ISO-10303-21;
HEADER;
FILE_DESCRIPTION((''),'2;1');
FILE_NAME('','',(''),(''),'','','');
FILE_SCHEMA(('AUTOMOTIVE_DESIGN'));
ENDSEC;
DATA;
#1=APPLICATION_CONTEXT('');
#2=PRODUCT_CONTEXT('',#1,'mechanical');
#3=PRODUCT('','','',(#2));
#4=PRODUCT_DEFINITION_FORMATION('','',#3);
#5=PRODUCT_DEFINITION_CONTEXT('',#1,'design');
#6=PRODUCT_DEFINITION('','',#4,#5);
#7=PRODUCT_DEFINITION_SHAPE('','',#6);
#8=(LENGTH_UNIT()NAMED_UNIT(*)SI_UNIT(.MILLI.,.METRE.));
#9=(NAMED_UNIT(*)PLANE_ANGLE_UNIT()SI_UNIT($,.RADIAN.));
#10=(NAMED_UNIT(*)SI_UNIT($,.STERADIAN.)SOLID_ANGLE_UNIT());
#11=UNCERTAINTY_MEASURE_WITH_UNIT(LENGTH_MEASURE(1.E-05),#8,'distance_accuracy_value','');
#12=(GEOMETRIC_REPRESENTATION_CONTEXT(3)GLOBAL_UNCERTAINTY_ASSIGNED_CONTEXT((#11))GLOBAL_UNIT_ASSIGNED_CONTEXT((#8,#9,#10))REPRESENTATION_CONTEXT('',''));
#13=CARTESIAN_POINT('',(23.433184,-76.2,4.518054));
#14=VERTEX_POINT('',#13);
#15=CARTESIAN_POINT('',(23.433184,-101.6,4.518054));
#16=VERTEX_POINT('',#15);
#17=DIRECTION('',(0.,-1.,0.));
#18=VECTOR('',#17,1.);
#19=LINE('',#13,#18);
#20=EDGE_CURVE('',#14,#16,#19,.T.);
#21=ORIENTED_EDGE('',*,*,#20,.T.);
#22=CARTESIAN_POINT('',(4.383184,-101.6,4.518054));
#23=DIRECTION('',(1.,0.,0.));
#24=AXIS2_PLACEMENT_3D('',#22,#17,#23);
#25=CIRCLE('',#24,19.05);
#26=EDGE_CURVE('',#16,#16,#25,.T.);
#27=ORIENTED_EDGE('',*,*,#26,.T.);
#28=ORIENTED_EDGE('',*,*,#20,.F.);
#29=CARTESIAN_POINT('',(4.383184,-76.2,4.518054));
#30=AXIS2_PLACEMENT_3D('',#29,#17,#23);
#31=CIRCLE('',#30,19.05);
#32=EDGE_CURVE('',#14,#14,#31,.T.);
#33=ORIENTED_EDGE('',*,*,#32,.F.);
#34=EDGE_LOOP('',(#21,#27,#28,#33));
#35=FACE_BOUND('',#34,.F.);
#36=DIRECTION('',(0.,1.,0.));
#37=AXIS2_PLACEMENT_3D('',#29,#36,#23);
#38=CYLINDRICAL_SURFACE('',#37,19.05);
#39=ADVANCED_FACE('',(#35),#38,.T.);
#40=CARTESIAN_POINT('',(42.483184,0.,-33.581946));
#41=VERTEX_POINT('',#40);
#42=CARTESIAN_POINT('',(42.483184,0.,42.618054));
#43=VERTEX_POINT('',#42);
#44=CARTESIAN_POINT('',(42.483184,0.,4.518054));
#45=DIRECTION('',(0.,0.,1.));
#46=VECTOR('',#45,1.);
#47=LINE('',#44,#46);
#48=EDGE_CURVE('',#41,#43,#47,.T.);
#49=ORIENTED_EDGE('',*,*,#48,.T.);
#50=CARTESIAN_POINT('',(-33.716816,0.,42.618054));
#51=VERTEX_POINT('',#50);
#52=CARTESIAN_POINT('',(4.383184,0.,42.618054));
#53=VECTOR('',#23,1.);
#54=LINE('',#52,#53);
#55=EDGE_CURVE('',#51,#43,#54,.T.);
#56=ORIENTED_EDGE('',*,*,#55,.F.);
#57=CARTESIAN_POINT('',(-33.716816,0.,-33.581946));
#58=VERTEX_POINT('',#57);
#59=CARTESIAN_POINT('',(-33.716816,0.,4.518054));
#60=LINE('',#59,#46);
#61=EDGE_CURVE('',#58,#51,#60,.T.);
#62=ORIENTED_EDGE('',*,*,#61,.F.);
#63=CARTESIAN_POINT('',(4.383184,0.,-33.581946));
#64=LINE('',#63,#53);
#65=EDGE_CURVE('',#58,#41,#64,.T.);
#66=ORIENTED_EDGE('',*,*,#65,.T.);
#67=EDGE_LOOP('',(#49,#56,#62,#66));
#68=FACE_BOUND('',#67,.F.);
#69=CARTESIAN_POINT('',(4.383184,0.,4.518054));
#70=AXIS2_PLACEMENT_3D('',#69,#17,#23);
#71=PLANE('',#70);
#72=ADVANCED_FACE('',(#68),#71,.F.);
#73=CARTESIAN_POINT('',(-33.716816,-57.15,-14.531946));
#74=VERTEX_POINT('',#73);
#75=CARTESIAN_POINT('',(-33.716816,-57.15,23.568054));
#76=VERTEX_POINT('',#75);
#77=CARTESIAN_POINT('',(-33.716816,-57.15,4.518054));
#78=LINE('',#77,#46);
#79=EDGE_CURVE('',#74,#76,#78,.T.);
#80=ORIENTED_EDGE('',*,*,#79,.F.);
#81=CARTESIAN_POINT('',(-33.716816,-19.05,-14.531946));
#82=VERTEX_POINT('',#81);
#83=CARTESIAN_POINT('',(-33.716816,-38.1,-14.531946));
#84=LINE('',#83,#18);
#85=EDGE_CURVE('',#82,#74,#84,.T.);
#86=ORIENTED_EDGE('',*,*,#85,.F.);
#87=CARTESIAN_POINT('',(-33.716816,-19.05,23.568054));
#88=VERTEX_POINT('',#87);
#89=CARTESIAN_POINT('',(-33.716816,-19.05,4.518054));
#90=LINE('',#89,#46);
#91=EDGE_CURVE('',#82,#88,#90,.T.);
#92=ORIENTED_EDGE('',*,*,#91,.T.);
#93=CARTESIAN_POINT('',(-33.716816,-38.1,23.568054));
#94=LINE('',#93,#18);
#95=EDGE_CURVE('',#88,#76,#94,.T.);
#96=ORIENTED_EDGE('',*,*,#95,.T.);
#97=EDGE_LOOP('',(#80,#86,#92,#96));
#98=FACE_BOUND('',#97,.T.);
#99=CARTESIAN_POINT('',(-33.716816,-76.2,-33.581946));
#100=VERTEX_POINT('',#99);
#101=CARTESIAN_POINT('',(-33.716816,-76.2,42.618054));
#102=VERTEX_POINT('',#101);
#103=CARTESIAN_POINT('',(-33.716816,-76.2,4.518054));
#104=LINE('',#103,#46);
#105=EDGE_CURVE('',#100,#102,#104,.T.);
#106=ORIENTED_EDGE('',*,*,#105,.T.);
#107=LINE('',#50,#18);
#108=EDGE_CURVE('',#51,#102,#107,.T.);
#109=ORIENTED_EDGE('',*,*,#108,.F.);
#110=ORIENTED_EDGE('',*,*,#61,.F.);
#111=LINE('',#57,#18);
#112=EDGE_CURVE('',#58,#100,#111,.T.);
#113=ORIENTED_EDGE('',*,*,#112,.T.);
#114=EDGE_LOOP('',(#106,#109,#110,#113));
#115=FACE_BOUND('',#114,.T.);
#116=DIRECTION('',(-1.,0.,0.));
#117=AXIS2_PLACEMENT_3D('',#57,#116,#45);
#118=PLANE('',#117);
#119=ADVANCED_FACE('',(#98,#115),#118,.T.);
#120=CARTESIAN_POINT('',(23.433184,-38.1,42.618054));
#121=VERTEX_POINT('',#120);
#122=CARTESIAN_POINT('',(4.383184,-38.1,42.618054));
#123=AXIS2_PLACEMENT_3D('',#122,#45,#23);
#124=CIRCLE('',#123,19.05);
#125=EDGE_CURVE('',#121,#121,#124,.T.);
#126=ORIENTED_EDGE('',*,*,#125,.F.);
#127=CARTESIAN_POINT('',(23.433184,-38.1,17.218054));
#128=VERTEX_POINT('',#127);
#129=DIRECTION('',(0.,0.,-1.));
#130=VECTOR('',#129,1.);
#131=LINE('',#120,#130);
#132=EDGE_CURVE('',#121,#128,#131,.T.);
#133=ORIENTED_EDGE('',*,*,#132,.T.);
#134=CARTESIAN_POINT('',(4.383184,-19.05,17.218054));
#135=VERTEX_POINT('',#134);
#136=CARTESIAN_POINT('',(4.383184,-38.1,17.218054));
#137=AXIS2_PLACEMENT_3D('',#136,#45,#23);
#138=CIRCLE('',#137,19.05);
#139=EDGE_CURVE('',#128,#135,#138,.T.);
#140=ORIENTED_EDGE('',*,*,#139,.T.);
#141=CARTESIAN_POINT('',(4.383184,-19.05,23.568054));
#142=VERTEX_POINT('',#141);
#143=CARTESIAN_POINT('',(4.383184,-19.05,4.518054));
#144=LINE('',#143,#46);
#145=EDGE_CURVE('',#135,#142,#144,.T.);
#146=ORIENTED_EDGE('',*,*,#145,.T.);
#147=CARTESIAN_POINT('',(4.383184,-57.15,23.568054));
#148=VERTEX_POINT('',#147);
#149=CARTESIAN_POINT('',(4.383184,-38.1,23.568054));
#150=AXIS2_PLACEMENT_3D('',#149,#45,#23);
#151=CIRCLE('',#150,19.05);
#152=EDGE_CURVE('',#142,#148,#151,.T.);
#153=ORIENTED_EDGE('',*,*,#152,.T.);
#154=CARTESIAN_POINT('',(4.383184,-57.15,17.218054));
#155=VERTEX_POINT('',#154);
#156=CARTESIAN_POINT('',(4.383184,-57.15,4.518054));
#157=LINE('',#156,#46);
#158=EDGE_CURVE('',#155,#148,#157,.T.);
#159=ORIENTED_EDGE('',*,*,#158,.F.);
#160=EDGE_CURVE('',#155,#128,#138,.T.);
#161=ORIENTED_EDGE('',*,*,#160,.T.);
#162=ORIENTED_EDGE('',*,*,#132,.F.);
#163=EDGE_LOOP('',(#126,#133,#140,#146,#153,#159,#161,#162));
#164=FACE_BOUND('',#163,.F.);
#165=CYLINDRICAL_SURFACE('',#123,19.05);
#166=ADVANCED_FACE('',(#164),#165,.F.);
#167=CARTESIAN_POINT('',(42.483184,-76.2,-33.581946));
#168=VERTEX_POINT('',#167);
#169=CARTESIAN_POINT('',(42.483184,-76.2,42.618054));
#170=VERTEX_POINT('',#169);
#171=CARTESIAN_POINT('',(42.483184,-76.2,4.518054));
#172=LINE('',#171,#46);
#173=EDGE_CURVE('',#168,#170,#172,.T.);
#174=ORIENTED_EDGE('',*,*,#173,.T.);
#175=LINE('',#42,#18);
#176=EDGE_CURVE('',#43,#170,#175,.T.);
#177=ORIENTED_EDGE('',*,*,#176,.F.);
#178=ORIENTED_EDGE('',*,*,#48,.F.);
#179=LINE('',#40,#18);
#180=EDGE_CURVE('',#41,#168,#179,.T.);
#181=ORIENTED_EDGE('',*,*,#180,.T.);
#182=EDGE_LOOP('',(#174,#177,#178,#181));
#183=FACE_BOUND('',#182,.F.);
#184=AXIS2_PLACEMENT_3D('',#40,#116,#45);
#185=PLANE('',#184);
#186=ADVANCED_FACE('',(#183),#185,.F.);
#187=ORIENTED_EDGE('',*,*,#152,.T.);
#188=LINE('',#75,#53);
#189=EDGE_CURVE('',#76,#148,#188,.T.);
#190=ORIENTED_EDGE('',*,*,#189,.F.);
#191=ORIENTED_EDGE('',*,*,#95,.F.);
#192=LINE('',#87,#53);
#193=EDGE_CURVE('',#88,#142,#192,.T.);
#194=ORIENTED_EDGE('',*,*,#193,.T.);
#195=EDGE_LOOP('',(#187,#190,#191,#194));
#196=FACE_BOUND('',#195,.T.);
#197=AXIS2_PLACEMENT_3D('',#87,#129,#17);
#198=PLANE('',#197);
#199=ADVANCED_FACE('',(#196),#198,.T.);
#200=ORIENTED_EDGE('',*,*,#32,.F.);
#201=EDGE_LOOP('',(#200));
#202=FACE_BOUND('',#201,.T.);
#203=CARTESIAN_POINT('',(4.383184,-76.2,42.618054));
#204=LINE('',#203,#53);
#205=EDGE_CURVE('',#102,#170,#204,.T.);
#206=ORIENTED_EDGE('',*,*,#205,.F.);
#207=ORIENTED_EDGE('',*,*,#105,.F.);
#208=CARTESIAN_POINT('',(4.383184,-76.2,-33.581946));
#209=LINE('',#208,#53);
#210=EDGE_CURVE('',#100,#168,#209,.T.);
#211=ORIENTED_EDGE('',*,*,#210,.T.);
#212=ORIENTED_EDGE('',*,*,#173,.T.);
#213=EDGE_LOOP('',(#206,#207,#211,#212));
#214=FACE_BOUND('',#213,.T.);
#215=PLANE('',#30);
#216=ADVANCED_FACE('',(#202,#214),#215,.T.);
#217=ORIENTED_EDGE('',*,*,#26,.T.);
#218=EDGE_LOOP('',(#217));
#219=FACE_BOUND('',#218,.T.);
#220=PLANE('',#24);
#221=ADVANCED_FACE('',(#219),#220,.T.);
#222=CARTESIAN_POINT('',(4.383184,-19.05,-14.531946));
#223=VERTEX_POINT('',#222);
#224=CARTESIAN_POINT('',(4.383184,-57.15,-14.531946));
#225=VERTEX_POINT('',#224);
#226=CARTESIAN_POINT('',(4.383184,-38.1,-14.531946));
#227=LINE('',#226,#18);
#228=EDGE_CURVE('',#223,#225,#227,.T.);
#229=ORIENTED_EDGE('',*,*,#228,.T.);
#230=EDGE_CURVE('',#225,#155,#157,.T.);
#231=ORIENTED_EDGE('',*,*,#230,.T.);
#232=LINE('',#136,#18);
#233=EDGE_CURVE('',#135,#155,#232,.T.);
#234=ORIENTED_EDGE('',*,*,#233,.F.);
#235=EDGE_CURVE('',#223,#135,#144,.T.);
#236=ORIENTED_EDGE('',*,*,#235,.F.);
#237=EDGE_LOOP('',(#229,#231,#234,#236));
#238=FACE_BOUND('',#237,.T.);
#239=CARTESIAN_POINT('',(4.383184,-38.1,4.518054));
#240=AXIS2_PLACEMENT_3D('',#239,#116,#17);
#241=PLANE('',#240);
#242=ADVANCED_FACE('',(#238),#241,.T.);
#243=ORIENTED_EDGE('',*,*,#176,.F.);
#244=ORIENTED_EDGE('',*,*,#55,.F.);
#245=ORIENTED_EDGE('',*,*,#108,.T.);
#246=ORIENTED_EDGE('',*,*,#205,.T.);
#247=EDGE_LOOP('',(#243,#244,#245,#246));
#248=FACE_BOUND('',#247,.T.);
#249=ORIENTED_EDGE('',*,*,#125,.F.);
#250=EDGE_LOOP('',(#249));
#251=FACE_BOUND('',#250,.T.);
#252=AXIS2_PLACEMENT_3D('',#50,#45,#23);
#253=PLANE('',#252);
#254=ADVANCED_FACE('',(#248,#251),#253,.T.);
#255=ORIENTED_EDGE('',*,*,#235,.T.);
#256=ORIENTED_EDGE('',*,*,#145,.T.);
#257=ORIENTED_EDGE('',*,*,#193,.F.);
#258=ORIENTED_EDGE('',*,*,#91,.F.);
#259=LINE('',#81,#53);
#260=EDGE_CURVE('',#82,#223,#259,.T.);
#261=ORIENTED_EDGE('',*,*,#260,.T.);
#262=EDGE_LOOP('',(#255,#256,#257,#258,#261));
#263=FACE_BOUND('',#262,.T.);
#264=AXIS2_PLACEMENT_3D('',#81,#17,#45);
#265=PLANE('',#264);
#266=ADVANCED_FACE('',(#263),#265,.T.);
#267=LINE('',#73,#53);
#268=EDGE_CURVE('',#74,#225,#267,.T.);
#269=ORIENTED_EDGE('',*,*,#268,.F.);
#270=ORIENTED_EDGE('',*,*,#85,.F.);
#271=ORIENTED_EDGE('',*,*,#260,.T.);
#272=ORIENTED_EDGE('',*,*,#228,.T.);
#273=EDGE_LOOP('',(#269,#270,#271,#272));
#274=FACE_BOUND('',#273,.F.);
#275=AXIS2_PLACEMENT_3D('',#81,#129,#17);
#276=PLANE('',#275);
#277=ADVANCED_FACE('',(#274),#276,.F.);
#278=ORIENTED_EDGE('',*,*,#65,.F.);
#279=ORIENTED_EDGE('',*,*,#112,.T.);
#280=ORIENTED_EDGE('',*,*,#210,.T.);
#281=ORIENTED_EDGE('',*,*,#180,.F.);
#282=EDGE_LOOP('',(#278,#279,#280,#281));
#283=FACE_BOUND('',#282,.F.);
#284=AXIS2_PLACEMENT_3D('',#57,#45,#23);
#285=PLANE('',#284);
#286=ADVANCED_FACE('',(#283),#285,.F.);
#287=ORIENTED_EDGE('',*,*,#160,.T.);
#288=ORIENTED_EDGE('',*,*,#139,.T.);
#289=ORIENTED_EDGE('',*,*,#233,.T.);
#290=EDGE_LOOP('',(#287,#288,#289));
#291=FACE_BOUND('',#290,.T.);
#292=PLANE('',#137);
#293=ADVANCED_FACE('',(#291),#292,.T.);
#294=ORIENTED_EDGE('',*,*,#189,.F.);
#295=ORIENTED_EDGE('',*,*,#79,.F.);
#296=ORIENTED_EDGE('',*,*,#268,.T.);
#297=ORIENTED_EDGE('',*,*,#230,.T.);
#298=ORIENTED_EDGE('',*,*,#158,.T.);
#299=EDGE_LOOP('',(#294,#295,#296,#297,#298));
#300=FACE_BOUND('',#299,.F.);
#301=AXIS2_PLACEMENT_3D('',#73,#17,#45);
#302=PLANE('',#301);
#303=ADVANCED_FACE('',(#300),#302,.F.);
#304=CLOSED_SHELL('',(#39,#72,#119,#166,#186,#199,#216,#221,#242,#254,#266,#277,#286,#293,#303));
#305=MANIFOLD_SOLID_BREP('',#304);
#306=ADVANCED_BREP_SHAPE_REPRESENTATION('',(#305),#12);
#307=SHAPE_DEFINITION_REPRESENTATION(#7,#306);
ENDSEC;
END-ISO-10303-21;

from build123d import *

# Parameters (mm, degrees)
F0_W     = 76.2
F0_H     = 76.2
F1_DEPTH = 76.2
F2_R     = 19.05
F3_DEPTH = 25.4
F4_R     = 19.05
F5_DEPTH = 25.4
F6_W     = 38.1
F6_H     = 38.1
F7_DEPTH = 38.1


with BuildPart() as f1:
    # F0 (on Front) → F1 (new body)
    with BuildSketch(Plane.XZ):
        with Locations((4.383184, 4.518054)):
            Rectangle(F0_W, F0_H)
    extrude(amount=F1_DEPTH)

    # F2 (on face) → F3 (join)
    with BuildSketch(Plane.XZ.offset(76.2)):
        with Locations((4.383184, 4.518054)):
            Circle(F2_R)
    extrude(amount=F3_DEPTH)

    # F4 (on face) → F5 (cut)
    with BuildSketch(Plane.XY.offset(42.618054)):
        with Locations((4.383184, -38.1)):
            Circle(F4_R)
    extrude(amount=-F5_DEPTH, mode=Mode.SUBTRACT)

    # F6 (on face) → F7 (cut)
    with BuildSketch(Plane(origin=(-33.716816, 0, 0), x_dir=(0, -1, 0), z_dir=(-1, 0, 0))):
        with Locations((38.1, 4.518054)):
            Rectangle(F6_W, F6_H)
    extrude(amount=-F7_DEPTH, mode=Mode.SUBTRACT)


solid = f1.part
